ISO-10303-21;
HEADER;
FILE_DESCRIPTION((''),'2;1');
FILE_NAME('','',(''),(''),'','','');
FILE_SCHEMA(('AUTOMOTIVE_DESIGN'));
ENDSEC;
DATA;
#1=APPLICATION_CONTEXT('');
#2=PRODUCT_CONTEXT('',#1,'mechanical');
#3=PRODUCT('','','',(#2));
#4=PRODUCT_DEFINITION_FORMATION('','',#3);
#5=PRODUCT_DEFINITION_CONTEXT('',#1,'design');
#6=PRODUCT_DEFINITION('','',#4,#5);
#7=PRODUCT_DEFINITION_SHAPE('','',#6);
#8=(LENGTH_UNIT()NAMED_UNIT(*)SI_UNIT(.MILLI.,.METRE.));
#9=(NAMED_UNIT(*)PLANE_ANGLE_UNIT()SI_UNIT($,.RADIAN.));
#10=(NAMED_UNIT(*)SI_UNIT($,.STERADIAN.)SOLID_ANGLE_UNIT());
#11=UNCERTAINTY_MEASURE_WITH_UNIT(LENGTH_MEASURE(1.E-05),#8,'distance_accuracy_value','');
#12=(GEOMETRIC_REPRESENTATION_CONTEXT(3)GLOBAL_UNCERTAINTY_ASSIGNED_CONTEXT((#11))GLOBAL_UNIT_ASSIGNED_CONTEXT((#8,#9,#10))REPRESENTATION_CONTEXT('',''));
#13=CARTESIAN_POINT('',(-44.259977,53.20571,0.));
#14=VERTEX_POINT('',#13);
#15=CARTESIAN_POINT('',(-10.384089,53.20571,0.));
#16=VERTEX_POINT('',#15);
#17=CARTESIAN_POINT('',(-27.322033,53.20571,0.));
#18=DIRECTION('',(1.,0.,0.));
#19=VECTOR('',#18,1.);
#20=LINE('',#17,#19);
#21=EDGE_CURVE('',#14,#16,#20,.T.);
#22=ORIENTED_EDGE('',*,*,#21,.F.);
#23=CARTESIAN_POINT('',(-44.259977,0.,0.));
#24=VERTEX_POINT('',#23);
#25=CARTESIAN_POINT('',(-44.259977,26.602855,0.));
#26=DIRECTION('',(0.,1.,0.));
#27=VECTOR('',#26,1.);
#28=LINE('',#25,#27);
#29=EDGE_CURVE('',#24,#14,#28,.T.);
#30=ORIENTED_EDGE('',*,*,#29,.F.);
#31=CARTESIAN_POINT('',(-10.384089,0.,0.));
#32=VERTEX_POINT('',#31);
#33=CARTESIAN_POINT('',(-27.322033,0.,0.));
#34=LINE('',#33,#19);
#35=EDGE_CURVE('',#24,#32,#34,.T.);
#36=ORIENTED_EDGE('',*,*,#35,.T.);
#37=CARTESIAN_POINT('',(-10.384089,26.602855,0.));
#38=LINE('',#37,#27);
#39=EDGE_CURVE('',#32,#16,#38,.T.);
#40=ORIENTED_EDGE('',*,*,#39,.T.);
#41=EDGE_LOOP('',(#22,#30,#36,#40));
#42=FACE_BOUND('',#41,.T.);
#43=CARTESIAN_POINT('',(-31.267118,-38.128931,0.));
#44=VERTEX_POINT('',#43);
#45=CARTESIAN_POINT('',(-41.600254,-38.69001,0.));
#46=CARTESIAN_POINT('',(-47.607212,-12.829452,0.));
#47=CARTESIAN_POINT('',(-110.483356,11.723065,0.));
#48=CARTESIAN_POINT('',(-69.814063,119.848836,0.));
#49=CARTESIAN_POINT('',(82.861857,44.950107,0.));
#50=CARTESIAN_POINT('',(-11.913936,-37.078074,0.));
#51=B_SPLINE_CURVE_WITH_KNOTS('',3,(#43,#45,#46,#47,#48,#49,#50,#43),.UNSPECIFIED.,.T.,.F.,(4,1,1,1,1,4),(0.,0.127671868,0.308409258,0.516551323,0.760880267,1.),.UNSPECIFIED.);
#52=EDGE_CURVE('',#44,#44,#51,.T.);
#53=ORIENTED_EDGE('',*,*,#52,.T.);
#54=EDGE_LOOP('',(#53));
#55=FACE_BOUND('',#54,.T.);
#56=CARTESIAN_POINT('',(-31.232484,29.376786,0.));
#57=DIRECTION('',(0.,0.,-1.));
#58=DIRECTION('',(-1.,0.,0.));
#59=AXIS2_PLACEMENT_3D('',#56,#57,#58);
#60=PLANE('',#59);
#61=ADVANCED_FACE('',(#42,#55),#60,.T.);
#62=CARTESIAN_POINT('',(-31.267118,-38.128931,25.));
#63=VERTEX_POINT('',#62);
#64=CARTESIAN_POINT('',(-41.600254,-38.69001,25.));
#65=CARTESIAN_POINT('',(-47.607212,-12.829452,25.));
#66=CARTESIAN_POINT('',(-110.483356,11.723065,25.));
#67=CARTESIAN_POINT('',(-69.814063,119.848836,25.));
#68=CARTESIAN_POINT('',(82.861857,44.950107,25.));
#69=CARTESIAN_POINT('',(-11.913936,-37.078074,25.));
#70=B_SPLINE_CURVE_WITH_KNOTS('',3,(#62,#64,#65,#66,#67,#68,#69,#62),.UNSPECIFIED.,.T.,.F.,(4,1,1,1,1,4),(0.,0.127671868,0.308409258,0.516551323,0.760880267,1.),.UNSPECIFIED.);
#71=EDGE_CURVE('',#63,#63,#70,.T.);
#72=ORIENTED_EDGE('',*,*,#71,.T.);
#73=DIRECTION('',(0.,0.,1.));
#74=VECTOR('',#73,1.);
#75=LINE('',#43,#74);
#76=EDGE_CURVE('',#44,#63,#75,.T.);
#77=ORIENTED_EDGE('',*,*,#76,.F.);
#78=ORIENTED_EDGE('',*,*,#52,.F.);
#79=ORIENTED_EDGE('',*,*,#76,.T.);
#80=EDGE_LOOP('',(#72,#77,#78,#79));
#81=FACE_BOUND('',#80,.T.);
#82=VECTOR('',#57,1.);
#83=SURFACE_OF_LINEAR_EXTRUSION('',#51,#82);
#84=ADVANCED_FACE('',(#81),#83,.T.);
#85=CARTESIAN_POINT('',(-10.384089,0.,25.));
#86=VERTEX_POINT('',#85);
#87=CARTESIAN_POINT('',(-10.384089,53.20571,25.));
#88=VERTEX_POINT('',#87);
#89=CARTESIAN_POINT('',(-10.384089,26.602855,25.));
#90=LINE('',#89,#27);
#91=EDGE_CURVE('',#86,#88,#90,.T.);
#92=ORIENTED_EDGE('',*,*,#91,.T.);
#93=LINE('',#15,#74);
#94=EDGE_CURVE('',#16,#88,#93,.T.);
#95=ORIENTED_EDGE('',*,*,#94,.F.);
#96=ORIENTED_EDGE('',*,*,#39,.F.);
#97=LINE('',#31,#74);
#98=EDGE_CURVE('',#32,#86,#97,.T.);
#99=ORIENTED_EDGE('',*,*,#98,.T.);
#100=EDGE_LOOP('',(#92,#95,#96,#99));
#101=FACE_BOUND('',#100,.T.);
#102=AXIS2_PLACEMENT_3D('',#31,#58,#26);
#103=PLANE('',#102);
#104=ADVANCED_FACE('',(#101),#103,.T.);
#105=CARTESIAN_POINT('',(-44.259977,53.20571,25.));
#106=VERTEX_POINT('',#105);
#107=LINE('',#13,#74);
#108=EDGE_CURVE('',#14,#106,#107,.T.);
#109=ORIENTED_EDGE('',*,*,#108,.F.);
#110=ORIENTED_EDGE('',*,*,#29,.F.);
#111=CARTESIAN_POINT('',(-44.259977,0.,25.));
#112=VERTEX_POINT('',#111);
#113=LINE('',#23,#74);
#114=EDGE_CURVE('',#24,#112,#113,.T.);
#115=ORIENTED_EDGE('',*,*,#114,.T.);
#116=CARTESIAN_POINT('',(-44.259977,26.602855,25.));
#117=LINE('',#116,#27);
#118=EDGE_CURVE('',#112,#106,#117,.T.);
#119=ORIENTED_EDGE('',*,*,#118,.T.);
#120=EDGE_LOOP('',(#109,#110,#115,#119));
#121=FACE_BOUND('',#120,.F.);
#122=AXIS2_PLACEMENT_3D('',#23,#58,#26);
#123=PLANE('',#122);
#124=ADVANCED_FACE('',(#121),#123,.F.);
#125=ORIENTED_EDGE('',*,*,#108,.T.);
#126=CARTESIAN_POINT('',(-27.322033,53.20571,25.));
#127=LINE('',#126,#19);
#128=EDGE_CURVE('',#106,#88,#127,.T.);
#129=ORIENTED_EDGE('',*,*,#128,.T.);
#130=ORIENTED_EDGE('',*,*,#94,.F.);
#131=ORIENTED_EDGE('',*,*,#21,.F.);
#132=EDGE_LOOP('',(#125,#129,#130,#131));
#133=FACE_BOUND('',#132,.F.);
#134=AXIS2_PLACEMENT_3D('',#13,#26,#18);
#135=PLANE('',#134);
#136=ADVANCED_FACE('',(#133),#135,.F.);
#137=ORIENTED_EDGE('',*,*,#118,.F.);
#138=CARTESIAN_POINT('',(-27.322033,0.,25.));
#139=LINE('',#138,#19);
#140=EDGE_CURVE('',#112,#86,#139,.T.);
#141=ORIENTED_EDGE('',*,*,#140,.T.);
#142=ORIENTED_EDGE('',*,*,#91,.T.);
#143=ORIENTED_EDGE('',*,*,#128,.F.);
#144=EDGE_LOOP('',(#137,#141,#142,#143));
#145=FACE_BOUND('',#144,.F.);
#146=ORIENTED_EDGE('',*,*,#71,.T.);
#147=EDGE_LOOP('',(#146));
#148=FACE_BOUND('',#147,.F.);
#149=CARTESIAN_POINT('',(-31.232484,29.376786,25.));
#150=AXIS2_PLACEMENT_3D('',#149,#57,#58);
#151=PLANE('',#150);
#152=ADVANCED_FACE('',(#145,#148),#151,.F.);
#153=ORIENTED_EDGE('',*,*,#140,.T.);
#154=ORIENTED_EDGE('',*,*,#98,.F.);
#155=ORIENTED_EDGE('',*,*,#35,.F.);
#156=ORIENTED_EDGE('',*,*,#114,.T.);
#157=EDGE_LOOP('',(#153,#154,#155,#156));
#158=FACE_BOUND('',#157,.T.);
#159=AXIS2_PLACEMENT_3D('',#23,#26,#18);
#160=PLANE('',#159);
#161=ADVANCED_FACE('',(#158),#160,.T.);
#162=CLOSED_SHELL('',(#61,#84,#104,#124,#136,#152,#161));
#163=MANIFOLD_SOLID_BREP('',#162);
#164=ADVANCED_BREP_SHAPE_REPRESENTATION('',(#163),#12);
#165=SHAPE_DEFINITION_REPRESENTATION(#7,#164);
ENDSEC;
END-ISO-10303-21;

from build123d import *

# Parameters (mm, degrees)
F0_W     = 33.8758872822
F0_H     = 53.2057099044
F1_DEPTH = 25


with BuildPart() as f1:
    # F0 (on Top) → F1 (new body)
    with BuildSketch(Plane.XY):
        with BuildLine():
            add(Edge.make_bspline(
                [(-31.2671177089, -38.1289310753), (-41.6002543224, -38.6900095189), (-47.6072115156, -12.8294524546), (-110.4833563577, 11.7230651936), (-69.8140630358, 119.8488357054), (82.8618572958, 44.9501073685), (-11.913935971, -37.0780736742), (-31.2671177089, -38.1289310753)],
                knots=[0, 0, 0, 0, 0.1276718683, 0.3084092577, 0.5165513231, 0.7608802668, 1, 1, 1, 1], degree=3))
        make_face()
        with Locations((-27.3220329545, 26.6028549522)):
            Rectangle(F0_W, F0_H, mode=Mode.SUBTRACT)
    extrude(amount=F1_DEPTH)


solid = f1.part
